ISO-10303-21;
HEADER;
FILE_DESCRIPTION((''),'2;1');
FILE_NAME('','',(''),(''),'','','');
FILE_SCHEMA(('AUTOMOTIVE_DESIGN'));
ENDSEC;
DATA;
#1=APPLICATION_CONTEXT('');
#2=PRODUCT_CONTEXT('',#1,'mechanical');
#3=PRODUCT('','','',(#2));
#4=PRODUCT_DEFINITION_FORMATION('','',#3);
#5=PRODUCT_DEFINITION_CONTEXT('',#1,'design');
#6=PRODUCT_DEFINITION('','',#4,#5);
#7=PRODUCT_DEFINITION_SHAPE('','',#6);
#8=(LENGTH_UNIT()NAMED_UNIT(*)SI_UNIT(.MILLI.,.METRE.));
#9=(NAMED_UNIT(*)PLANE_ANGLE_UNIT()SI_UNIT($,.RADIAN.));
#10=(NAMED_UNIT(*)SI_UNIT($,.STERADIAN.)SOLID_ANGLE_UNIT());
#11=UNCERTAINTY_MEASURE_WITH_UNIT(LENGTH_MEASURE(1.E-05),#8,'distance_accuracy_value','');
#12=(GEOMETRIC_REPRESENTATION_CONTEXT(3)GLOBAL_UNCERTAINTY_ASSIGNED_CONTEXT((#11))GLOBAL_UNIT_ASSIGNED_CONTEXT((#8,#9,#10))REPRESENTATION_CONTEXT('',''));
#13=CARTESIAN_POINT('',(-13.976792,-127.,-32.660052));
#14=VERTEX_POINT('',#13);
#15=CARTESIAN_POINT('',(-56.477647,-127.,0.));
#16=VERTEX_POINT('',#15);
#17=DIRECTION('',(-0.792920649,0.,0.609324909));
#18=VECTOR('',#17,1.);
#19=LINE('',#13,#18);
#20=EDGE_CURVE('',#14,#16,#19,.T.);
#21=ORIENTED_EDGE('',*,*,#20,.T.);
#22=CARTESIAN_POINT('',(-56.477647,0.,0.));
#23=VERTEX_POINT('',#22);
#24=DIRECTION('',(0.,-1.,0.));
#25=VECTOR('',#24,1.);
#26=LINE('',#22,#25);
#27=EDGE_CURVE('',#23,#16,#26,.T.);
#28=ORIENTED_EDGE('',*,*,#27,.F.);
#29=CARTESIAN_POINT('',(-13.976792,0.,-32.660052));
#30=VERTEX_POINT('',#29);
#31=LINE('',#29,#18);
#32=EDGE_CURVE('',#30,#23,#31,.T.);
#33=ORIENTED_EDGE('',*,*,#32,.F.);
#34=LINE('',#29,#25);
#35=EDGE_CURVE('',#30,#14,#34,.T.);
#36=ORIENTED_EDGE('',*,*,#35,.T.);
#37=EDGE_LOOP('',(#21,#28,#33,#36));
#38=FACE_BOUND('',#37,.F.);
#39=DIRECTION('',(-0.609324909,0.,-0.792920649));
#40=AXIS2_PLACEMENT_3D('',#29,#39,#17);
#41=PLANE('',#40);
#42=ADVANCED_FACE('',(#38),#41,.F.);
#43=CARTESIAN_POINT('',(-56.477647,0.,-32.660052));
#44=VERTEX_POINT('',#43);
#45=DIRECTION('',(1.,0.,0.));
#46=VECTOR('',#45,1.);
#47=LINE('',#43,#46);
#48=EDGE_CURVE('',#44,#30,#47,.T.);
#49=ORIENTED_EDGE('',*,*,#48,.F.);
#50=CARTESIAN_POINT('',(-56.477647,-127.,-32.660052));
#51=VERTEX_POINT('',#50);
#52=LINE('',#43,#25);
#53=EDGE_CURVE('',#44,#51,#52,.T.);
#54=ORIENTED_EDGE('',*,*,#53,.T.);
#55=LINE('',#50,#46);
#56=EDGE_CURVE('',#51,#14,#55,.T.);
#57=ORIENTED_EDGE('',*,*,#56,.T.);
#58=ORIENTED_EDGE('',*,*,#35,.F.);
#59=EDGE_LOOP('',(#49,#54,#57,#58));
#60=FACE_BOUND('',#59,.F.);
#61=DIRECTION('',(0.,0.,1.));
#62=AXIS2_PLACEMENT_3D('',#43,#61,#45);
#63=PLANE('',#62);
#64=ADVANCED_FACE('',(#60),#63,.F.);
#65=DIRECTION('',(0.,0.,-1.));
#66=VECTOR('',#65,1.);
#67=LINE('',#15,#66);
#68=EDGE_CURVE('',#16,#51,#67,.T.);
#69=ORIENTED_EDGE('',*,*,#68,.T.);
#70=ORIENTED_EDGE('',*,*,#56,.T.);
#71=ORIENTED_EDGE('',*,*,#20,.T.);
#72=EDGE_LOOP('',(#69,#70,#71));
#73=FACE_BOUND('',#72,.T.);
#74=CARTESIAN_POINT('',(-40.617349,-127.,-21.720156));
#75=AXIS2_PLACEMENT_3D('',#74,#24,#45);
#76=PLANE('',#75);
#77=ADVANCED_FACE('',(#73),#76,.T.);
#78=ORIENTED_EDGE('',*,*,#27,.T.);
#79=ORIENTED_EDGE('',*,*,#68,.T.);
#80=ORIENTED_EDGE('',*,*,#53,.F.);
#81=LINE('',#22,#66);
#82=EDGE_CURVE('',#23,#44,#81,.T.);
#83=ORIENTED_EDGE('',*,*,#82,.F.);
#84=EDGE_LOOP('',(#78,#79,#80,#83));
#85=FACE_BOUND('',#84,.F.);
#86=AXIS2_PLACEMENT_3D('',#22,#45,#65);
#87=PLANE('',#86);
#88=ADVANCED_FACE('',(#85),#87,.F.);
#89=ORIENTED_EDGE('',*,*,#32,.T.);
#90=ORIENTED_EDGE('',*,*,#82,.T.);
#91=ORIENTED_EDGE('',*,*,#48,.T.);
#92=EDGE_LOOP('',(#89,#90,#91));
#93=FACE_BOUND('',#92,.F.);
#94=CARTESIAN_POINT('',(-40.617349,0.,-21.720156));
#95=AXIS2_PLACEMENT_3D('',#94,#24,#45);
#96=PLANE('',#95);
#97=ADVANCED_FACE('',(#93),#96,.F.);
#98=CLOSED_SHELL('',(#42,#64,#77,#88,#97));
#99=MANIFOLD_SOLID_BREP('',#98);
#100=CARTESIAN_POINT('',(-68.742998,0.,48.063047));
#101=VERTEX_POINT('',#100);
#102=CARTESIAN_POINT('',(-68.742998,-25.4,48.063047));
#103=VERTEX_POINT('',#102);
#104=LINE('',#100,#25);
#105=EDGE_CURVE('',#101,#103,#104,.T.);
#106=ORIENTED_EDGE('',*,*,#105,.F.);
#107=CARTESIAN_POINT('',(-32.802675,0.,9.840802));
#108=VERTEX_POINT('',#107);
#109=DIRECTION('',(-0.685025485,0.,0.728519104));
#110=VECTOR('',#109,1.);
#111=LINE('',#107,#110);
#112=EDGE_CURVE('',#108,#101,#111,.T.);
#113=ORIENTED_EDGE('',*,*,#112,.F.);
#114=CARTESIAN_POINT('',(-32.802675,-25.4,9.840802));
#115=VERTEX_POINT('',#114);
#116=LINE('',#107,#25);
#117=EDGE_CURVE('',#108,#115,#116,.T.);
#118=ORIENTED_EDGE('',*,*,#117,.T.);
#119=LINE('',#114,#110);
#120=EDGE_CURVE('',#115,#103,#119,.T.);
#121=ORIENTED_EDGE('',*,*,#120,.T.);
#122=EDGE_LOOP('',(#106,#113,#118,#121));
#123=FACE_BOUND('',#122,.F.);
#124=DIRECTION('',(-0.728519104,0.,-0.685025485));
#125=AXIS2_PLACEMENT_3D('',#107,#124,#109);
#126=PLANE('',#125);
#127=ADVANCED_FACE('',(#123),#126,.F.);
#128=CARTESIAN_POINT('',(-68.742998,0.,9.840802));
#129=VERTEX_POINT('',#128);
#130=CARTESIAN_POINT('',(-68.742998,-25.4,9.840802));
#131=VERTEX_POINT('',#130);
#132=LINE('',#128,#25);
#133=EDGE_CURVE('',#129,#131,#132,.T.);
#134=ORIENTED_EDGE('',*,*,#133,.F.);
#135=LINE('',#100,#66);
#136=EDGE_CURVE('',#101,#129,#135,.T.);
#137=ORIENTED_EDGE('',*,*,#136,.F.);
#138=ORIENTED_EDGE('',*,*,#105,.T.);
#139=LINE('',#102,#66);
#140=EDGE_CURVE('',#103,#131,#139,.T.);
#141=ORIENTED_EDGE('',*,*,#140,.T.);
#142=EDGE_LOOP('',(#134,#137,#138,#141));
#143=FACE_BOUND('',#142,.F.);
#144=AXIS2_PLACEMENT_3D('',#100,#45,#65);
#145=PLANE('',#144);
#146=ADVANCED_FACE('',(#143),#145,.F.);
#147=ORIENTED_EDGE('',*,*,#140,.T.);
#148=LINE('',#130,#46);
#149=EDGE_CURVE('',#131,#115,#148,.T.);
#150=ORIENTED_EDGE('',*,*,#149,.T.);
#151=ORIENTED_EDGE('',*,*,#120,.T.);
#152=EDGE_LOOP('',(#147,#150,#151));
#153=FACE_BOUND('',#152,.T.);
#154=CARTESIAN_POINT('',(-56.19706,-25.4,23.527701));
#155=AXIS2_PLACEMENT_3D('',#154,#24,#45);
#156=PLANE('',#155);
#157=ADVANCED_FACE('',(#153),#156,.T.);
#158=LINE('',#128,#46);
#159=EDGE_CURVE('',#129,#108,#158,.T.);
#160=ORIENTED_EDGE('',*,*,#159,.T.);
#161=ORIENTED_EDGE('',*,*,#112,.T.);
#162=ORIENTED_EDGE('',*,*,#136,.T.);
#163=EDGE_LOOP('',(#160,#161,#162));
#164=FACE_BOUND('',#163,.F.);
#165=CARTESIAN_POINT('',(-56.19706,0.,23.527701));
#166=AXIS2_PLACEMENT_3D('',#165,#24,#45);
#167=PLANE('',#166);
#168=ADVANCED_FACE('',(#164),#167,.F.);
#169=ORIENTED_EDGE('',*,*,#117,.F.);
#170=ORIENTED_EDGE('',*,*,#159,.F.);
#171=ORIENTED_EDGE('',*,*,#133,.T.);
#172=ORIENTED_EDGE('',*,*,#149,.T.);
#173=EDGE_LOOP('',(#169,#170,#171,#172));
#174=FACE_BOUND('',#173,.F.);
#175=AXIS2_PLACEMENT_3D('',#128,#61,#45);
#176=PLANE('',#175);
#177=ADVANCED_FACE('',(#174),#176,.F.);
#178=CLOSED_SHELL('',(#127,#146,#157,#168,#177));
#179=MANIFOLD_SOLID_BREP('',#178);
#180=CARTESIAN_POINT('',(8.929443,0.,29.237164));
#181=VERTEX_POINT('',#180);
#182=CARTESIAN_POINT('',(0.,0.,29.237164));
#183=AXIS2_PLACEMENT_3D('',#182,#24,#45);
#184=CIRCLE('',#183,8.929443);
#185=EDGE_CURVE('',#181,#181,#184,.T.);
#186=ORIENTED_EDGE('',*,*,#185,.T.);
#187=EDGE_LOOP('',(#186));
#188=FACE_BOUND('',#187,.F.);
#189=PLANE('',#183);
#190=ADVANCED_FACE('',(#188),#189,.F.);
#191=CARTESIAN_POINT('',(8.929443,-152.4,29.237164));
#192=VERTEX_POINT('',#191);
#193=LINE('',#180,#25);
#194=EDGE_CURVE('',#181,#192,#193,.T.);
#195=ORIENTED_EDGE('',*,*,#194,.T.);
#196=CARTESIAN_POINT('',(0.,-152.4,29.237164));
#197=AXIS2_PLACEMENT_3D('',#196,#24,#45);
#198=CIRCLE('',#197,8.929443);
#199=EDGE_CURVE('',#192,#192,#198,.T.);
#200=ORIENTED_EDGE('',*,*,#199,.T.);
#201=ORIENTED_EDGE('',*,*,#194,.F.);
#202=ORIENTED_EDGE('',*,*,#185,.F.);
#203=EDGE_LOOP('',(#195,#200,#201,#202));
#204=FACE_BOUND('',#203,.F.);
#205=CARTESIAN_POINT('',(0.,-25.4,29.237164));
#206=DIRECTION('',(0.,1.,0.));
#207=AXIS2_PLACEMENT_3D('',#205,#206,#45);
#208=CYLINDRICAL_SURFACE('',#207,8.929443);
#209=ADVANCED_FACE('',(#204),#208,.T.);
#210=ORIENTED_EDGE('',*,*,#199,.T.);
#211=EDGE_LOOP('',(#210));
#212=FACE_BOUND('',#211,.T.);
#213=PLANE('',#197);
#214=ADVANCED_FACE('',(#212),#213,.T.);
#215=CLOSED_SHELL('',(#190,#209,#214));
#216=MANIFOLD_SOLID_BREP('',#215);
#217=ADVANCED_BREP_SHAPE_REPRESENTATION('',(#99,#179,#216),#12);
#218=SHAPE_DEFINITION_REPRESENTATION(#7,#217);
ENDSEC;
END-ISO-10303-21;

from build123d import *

# Parameters (mm, degrees)
F1_R      = 8.929443
F2_DEPTH  = 25.4
F2_FACE_R = 8.929443
F3_DEPTH  = 127
F5_DEPTH  = 127
F7_DEPTH  = 25.4


with BuildPart() as f2:
    # F1 (on face) → F2 (new body)
    with BuildSketch(Plane.XZ):
        with Locations((0, 29.237164)):
            Circle(F1_R)
    extrude(amount=F2_DEPTH)

    # F2_face (on face) → F3 (join)
    with BuildSketch(Plane(origin=(0, -25.4, 29.237164), x_dir=(1, 0, 0), z_dir=(0, -1, 0))):
        Circle(F2_FACE_R)
    extrude(amount=F3_DEPTH)


with BuildPart() as f5:
    # F4 (on Front) → F5 (new body)
    with BuildSketch(Plane.XZ):
        Polygon((-13.976792, -32.660052), (-56.477647, 0), (-56.477647, -32.660052), align=None)
    extrude(amount=F5_DEPTH)


with BuildPart() as f7:
    # F6 (on Front) → F7 (new body)
    with BuildSketch(Plane.XZ):
        Polygon((-32.802675, 9.840802), (-68.742998, 48.063047), (-68.742998, 9.840802), align=None)
    extrude(amount=F7_DEPTH)


solid = Compound([f2.part, f5.part, f7.part])
